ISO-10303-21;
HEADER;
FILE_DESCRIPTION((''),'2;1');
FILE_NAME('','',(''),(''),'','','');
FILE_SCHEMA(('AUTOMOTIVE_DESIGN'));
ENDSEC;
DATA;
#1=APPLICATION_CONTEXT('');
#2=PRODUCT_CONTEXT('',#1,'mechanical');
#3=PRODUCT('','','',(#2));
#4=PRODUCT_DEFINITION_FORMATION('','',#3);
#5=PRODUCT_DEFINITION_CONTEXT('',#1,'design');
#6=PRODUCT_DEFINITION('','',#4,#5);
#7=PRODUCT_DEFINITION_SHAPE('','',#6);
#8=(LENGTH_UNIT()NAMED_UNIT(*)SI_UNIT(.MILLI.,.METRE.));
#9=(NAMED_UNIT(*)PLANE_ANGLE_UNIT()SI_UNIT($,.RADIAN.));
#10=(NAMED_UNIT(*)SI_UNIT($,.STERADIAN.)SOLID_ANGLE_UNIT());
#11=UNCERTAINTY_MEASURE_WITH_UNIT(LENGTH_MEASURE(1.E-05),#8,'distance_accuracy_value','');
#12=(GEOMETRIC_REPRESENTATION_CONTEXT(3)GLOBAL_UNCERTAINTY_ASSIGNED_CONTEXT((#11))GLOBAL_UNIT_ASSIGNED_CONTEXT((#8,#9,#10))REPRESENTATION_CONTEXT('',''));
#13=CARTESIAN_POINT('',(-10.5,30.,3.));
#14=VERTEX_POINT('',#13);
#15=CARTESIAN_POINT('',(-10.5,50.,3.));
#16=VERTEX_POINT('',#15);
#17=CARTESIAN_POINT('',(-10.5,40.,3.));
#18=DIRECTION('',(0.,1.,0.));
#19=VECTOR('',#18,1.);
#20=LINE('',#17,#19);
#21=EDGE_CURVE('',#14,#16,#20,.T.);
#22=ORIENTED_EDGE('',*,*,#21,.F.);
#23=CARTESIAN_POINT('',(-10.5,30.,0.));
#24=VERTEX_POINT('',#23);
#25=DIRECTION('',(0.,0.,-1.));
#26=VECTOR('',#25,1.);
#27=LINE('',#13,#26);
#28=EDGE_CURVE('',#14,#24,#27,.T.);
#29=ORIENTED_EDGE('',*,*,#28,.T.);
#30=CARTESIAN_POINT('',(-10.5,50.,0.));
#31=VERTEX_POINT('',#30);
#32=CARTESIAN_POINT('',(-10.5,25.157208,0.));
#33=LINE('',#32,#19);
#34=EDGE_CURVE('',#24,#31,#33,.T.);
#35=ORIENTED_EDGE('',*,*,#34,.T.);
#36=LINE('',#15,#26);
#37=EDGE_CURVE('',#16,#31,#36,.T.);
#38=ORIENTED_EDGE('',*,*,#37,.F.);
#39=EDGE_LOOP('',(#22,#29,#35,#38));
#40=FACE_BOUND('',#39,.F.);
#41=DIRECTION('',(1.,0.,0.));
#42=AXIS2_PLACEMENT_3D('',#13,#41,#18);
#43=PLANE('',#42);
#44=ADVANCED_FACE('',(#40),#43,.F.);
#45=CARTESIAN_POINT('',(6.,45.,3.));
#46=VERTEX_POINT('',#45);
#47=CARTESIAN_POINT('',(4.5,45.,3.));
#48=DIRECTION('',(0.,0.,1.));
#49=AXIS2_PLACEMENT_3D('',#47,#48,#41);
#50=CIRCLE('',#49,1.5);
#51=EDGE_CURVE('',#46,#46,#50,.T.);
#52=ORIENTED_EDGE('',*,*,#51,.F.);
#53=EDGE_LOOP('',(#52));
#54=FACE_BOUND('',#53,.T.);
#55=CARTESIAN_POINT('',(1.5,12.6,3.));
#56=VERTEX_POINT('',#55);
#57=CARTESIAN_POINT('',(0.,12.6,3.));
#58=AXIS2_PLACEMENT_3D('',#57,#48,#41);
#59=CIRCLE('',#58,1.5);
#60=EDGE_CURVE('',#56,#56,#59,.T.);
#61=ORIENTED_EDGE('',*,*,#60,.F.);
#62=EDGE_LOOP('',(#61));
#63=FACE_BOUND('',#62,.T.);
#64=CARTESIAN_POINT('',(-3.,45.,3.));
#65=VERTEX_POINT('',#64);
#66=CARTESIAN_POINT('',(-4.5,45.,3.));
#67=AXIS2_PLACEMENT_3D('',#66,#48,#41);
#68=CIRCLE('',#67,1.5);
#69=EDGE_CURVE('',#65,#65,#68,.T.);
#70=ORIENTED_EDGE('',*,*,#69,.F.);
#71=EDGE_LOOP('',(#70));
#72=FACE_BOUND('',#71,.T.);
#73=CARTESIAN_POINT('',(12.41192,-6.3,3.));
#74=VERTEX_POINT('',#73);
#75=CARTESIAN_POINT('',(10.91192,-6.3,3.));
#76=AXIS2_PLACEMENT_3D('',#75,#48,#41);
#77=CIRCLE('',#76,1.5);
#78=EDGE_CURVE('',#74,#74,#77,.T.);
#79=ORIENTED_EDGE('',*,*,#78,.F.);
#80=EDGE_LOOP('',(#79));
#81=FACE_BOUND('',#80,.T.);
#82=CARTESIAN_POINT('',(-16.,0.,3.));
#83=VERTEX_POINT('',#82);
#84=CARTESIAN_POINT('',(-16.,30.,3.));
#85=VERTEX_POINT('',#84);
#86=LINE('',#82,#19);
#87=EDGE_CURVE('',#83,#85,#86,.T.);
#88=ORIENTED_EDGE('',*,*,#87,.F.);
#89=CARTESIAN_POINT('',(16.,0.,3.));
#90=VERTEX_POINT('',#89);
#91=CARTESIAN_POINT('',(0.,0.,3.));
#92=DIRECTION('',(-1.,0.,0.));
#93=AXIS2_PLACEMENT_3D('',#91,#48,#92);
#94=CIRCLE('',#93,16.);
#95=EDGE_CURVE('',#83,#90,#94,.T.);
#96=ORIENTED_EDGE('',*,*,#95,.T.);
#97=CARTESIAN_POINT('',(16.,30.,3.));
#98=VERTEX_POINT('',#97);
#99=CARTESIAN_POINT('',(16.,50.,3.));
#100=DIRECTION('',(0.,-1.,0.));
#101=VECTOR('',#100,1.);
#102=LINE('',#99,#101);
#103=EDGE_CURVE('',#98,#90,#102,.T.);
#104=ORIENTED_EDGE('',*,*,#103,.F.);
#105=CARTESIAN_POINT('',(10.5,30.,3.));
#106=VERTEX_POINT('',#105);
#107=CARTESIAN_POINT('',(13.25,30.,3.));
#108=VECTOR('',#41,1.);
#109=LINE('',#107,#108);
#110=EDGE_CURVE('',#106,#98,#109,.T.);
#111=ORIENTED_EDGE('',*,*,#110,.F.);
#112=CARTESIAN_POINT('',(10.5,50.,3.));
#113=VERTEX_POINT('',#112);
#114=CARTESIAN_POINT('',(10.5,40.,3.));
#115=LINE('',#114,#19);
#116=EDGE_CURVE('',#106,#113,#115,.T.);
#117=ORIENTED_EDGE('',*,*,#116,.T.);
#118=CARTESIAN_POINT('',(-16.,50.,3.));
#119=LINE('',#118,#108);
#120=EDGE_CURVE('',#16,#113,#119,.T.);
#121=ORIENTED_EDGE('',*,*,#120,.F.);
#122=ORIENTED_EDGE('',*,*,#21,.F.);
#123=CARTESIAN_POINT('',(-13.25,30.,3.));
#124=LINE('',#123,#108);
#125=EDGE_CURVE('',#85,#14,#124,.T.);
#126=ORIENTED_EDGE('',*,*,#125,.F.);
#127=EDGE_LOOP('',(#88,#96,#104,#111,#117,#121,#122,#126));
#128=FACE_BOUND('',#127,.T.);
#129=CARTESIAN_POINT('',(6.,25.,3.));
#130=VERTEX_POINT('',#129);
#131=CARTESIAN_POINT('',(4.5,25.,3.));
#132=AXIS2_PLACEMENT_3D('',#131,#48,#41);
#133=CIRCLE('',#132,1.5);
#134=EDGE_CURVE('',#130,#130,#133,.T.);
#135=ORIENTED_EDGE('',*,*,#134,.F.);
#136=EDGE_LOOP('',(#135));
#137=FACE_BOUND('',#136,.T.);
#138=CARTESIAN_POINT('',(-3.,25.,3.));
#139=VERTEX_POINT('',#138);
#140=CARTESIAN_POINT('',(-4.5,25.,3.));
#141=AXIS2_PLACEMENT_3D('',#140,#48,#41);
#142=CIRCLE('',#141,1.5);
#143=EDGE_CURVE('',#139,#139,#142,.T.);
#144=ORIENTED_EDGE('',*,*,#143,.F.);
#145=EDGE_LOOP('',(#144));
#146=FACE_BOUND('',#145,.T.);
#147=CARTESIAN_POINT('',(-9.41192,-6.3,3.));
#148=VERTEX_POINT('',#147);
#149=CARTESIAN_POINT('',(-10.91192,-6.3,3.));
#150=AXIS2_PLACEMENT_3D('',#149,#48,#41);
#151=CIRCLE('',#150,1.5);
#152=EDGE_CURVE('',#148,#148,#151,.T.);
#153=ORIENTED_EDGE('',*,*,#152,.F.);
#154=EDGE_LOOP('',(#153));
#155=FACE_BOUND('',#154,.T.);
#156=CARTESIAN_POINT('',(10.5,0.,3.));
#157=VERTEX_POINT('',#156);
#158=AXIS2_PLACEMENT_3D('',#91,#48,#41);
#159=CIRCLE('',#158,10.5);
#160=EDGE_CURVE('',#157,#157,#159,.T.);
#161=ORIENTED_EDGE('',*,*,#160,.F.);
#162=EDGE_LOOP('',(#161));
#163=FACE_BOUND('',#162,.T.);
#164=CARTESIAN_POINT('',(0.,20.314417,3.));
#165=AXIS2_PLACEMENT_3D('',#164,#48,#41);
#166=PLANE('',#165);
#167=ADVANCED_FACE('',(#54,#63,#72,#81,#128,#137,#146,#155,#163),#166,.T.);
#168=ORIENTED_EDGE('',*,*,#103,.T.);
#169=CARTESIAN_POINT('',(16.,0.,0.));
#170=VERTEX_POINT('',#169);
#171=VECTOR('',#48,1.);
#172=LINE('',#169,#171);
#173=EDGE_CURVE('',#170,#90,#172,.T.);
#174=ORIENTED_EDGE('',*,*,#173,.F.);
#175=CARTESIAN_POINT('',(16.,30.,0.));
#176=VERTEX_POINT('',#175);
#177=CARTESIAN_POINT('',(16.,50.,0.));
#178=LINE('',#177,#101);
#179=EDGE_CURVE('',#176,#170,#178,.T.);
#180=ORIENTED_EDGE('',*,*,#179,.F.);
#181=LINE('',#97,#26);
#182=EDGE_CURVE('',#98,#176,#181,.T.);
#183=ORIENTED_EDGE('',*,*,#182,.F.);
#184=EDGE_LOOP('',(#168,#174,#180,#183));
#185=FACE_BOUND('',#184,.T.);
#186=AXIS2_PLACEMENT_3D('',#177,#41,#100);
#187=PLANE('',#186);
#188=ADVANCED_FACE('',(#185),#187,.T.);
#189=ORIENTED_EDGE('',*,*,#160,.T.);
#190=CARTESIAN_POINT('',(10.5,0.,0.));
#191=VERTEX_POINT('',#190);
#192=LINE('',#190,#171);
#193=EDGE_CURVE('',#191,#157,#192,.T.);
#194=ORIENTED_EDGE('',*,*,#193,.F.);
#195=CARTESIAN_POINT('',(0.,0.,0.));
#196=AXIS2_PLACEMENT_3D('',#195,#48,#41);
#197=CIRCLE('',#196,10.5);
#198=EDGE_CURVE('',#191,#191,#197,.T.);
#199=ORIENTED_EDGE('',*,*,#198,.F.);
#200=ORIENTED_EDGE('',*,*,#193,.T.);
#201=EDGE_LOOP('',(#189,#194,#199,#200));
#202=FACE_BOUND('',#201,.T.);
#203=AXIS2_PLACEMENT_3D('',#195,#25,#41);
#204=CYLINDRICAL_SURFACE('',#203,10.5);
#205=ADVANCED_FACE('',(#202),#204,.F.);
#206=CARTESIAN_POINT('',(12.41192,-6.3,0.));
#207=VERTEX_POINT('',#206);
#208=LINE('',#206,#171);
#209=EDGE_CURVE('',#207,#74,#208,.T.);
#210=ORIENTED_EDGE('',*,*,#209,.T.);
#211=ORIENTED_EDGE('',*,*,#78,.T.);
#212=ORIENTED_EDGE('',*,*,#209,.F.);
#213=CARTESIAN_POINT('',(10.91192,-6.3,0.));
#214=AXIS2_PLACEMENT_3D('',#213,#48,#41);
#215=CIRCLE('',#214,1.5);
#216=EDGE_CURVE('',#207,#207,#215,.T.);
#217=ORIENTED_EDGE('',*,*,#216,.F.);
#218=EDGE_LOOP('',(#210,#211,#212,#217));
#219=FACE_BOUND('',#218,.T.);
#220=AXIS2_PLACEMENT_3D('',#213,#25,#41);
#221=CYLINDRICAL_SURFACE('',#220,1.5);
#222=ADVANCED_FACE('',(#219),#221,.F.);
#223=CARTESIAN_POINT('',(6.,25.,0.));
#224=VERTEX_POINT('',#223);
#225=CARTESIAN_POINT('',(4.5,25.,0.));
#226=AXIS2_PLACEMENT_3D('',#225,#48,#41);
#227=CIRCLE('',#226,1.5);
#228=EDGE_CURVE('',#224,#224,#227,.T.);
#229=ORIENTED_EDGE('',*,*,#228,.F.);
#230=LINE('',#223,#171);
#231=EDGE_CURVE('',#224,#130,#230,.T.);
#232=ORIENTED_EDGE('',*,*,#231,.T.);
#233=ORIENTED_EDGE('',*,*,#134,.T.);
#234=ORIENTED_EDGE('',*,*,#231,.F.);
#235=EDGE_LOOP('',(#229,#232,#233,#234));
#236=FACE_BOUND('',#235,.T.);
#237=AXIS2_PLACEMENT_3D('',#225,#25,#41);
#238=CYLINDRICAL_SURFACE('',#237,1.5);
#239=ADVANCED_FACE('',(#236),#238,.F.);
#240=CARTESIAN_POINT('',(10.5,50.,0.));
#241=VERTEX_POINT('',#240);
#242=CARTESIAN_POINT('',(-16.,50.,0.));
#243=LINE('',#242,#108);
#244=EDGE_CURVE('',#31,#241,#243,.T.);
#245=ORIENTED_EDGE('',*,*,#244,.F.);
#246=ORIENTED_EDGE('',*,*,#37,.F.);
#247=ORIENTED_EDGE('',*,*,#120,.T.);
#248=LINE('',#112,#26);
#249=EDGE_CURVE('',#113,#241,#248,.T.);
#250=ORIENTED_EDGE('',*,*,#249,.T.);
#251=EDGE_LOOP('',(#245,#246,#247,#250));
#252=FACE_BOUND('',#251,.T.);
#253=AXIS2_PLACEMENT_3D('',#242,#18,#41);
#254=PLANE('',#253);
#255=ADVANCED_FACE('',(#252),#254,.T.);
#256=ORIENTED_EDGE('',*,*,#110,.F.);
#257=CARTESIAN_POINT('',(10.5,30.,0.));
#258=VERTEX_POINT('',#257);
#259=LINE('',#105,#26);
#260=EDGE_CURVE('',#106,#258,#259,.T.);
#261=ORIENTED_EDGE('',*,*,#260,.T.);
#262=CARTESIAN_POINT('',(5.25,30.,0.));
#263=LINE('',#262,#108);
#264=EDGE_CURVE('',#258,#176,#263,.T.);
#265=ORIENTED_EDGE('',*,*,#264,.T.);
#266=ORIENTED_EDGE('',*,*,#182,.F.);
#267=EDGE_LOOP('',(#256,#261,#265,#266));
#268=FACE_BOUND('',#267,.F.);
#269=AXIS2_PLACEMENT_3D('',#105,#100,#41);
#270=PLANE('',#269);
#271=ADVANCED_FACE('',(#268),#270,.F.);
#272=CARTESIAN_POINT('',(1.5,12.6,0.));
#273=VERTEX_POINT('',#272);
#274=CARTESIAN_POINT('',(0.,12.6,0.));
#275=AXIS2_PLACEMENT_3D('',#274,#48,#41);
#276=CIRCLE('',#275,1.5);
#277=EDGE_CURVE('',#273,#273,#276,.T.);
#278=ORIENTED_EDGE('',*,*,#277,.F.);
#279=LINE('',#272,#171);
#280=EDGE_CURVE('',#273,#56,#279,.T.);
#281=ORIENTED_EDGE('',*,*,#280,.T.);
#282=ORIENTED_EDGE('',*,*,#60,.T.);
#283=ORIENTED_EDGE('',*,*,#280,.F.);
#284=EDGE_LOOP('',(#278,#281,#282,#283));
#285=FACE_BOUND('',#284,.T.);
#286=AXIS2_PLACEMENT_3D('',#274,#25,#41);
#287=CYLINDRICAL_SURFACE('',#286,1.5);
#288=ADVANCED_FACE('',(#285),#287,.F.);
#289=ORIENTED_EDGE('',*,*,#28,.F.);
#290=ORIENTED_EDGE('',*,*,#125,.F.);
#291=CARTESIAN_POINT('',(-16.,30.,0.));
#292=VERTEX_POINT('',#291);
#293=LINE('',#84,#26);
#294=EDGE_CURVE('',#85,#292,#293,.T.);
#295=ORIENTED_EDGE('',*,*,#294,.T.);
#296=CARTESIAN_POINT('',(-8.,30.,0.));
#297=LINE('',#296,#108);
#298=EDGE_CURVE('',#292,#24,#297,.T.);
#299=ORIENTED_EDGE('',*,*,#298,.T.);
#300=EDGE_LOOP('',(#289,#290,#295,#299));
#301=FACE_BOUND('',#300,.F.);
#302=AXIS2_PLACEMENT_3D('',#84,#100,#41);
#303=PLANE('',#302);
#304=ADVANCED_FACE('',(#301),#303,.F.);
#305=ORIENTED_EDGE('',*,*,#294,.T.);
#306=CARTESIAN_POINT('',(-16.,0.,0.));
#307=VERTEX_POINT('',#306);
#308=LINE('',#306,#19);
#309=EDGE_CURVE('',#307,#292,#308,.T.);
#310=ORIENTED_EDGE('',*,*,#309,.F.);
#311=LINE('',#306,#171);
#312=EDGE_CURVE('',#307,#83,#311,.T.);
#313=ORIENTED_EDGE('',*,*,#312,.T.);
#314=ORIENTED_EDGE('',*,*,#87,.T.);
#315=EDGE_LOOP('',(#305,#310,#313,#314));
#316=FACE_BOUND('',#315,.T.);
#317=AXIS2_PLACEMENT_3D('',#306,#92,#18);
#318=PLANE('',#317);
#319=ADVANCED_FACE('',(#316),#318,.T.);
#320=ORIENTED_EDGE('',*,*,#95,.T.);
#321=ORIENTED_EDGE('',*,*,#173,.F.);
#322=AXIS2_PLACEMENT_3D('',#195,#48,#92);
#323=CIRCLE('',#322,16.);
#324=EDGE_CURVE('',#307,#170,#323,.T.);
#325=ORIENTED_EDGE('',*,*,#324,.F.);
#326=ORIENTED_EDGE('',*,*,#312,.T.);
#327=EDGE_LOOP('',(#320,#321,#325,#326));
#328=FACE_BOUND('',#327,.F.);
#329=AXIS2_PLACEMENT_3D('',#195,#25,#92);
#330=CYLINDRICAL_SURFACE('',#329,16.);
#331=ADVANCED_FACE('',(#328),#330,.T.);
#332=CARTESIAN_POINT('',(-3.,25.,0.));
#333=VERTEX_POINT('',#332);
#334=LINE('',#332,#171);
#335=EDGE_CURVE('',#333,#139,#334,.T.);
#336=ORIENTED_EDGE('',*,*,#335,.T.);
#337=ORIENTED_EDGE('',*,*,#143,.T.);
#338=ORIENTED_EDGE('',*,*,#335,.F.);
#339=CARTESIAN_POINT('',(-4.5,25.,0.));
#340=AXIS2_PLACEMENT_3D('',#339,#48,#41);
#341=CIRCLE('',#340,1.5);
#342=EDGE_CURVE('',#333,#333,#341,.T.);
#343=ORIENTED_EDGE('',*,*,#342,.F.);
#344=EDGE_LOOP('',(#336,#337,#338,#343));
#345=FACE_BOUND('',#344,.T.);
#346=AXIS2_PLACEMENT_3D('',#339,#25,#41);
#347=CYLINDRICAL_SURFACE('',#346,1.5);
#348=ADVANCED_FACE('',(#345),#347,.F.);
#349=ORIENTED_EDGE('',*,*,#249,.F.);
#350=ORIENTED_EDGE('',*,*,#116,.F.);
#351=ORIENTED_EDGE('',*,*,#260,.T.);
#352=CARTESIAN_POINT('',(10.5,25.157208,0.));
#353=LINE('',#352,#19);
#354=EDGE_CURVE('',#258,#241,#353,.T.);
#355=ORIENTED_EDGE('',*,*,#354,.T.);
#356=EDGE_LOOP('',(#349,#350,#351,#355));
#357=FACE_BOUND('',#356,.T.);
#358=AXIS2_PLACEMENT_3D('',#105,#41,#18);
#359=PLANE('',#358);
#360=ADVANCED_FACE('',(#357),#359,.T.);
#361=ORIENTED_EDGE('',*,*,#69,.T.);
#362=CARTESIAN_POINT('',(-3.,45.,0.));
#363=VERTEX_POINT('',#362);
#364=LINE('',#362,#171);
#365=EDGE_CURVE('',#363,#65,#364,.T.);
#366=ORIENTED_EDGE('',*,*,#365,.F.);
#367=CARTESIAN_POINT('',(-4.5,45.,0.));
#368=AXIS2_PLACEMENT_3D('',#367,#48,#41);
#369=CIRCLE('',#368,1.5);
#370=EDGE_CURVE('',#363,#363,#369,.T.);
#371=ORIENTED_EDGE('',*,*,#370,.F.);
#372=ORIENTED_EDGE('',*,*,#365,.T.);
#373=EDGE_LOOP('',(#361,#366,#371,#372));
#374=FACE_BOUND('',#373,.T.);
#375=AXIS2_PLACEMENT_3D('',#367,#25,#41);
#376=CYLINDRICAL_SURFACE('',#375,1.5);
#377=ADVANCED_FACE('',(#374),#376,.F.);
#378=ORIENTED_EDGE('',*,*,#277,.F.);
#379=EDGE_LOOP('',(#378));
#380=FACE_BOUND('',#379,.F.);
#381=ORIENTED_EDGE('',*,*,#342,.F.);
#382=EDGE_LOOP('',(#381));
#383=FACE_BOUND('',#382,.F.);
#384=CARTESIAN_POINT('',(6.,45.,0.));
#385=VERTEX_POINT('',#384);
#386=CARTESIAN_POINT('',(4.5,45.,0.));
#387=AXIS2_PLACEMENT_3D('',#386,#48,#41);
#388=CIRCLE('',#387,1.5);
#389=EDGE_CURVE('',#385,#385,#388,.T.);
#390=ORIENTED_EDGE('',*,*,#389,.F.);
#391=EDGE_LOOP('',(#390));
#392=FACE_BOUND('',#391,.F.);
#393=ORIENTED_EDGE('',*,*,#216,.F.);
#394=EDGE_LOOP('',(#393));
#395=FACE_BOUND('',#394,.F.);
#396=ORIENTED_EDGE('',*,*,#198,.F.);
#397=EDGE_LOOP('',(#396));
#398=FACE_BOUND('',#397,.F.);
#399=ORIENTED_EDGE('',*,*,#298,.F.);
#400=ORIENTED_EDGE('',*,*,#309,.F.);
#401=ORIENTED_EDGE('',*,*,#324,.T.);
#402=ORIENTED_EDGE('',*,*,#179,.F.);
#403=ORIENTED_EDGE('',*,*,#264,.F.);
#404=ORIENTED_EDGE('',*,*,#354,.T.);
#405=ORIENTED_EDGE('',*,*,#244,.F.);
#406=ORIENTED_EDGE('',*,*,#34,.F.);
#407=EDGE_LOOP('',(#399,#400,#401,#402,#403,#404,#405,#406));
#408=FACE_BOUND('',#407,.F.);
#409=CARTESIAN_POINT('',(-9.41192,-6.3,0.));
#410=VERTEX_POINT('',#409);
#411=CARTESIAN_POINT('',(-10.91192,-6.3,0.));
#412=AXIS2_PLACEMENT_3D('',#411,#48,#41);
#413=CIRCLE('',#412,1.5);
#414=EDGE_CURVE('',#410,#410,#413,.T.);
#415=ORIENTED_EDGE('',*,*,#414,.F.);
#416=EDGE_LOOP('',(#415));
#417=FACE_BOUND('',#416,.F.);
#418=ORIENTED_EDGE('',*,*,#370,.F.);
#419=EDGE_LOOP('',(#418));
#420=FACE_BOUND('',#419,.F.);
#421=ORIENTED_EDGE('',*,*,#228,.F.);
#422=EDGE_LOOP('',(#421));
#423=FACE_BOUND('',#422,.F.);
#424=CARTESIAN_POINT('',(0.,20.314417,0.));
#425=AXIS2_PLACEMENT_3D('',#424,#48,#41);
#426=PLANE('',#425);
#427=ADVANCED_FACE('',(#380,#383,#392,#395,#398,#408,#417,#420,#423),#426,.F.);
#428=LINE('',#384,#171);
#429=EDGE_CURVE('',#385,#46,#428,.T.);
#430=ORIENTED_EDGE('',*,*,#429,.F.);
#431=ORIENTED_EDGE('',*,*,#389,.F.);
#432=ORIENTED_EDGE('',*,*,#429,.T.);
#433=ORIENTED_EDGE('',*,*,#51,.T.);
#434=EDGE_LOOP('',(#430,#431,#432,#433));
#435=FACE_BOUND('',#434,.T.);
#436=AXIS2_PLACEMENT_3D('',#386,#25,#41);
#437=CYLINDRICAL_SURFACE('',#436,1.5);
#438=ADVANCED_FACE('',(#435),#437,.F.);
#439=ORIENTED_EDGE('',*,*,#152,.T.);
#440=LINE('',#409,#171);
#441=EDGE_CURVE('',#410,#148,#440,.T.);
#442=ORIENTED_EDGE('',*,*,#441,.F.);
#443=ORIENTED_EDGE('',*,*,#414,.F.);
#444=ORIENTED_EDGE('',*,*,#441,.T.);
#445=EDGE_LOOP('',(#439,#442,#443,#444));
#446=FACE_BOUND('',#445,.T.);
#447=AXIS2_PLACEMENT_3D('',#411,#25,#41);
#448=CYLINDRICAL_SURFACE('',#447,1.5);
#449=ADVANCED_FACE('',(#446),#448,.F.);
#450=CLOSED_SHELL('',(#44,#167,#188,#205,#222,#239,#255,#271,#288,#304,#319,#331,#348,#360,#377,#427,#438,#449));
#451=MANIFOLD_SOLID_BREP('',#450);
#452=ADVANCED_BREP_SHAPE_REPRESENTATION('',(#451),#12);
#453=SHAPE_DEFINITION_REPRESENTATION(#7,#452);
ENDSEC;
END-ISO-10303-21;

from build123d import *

# Parameters (mm, degrees)
SKETCH_R     = 1.5
SKETCH_R_2   = 10.5
PAD_DEPTH    = 3
SKETCH001_W  = 5.5
SKETCH001_H  = 20
POCKET_DEPTH = 3.001


with BuildPart() as part:
    # Sketch → Pad (new body)
    with BuildSketch(Plane.XY):
        with BuildLine():
            ThreePointArc((-16, 0), (0, -16), (16, 0))
            Line((16, 50), (16, 0))
            Line((-16, 50), (16, 50))
            Line((-16, 0), (-16, 50))
        make_face()
        with Locations((0, 12.6)):
            Circle(SKETCH_R, mode=Mode.SUBTRACT)
        with Locations((10.91192, -6.3)):
            Circle(SKETCH_R, mode=Mode.SUBTRACT)
        with Locations((-10.91192, -6.3)):
            Circle(SKETCH_R, mode=Mode.SUBTRACT)
        Circle(SKETCH_R_2, mode=Mode.SUBTRACT)
        with Locations((-4.5, 45)):
            Circle(SKETCH_R, mode=Mode.SUBTRACT)
        with Locations((4.5, 45)):
            Circle(SKETCH_R, mode=Mode.SUBTRACT)
        with Locations((-4.5, 25)):
            Circle(SKETCH_R, mode=Mode.SUBTRACT)
        with Locations((4.5, 25)):
            Circle(SKETCH_R, mode=Mode.SUBTRACT)
    extrude(amount=PAD_DEPTH)

    # Sketch001 → Pocket (cut, through all)
    with BuildSketch(Plane.XY.offset(3)):
        with Locations((-13.25, 40)):
            Rectangle(SKETCH001_W, SKETCH001_H)
        with Locations((13.25, 40)):
            Rectangle(SKETCH001_W, SKETCH001_H)
    extrude(amount=-POCKET_DEPTH, mode=Mode.SUBTRACT)


solid = part.part
